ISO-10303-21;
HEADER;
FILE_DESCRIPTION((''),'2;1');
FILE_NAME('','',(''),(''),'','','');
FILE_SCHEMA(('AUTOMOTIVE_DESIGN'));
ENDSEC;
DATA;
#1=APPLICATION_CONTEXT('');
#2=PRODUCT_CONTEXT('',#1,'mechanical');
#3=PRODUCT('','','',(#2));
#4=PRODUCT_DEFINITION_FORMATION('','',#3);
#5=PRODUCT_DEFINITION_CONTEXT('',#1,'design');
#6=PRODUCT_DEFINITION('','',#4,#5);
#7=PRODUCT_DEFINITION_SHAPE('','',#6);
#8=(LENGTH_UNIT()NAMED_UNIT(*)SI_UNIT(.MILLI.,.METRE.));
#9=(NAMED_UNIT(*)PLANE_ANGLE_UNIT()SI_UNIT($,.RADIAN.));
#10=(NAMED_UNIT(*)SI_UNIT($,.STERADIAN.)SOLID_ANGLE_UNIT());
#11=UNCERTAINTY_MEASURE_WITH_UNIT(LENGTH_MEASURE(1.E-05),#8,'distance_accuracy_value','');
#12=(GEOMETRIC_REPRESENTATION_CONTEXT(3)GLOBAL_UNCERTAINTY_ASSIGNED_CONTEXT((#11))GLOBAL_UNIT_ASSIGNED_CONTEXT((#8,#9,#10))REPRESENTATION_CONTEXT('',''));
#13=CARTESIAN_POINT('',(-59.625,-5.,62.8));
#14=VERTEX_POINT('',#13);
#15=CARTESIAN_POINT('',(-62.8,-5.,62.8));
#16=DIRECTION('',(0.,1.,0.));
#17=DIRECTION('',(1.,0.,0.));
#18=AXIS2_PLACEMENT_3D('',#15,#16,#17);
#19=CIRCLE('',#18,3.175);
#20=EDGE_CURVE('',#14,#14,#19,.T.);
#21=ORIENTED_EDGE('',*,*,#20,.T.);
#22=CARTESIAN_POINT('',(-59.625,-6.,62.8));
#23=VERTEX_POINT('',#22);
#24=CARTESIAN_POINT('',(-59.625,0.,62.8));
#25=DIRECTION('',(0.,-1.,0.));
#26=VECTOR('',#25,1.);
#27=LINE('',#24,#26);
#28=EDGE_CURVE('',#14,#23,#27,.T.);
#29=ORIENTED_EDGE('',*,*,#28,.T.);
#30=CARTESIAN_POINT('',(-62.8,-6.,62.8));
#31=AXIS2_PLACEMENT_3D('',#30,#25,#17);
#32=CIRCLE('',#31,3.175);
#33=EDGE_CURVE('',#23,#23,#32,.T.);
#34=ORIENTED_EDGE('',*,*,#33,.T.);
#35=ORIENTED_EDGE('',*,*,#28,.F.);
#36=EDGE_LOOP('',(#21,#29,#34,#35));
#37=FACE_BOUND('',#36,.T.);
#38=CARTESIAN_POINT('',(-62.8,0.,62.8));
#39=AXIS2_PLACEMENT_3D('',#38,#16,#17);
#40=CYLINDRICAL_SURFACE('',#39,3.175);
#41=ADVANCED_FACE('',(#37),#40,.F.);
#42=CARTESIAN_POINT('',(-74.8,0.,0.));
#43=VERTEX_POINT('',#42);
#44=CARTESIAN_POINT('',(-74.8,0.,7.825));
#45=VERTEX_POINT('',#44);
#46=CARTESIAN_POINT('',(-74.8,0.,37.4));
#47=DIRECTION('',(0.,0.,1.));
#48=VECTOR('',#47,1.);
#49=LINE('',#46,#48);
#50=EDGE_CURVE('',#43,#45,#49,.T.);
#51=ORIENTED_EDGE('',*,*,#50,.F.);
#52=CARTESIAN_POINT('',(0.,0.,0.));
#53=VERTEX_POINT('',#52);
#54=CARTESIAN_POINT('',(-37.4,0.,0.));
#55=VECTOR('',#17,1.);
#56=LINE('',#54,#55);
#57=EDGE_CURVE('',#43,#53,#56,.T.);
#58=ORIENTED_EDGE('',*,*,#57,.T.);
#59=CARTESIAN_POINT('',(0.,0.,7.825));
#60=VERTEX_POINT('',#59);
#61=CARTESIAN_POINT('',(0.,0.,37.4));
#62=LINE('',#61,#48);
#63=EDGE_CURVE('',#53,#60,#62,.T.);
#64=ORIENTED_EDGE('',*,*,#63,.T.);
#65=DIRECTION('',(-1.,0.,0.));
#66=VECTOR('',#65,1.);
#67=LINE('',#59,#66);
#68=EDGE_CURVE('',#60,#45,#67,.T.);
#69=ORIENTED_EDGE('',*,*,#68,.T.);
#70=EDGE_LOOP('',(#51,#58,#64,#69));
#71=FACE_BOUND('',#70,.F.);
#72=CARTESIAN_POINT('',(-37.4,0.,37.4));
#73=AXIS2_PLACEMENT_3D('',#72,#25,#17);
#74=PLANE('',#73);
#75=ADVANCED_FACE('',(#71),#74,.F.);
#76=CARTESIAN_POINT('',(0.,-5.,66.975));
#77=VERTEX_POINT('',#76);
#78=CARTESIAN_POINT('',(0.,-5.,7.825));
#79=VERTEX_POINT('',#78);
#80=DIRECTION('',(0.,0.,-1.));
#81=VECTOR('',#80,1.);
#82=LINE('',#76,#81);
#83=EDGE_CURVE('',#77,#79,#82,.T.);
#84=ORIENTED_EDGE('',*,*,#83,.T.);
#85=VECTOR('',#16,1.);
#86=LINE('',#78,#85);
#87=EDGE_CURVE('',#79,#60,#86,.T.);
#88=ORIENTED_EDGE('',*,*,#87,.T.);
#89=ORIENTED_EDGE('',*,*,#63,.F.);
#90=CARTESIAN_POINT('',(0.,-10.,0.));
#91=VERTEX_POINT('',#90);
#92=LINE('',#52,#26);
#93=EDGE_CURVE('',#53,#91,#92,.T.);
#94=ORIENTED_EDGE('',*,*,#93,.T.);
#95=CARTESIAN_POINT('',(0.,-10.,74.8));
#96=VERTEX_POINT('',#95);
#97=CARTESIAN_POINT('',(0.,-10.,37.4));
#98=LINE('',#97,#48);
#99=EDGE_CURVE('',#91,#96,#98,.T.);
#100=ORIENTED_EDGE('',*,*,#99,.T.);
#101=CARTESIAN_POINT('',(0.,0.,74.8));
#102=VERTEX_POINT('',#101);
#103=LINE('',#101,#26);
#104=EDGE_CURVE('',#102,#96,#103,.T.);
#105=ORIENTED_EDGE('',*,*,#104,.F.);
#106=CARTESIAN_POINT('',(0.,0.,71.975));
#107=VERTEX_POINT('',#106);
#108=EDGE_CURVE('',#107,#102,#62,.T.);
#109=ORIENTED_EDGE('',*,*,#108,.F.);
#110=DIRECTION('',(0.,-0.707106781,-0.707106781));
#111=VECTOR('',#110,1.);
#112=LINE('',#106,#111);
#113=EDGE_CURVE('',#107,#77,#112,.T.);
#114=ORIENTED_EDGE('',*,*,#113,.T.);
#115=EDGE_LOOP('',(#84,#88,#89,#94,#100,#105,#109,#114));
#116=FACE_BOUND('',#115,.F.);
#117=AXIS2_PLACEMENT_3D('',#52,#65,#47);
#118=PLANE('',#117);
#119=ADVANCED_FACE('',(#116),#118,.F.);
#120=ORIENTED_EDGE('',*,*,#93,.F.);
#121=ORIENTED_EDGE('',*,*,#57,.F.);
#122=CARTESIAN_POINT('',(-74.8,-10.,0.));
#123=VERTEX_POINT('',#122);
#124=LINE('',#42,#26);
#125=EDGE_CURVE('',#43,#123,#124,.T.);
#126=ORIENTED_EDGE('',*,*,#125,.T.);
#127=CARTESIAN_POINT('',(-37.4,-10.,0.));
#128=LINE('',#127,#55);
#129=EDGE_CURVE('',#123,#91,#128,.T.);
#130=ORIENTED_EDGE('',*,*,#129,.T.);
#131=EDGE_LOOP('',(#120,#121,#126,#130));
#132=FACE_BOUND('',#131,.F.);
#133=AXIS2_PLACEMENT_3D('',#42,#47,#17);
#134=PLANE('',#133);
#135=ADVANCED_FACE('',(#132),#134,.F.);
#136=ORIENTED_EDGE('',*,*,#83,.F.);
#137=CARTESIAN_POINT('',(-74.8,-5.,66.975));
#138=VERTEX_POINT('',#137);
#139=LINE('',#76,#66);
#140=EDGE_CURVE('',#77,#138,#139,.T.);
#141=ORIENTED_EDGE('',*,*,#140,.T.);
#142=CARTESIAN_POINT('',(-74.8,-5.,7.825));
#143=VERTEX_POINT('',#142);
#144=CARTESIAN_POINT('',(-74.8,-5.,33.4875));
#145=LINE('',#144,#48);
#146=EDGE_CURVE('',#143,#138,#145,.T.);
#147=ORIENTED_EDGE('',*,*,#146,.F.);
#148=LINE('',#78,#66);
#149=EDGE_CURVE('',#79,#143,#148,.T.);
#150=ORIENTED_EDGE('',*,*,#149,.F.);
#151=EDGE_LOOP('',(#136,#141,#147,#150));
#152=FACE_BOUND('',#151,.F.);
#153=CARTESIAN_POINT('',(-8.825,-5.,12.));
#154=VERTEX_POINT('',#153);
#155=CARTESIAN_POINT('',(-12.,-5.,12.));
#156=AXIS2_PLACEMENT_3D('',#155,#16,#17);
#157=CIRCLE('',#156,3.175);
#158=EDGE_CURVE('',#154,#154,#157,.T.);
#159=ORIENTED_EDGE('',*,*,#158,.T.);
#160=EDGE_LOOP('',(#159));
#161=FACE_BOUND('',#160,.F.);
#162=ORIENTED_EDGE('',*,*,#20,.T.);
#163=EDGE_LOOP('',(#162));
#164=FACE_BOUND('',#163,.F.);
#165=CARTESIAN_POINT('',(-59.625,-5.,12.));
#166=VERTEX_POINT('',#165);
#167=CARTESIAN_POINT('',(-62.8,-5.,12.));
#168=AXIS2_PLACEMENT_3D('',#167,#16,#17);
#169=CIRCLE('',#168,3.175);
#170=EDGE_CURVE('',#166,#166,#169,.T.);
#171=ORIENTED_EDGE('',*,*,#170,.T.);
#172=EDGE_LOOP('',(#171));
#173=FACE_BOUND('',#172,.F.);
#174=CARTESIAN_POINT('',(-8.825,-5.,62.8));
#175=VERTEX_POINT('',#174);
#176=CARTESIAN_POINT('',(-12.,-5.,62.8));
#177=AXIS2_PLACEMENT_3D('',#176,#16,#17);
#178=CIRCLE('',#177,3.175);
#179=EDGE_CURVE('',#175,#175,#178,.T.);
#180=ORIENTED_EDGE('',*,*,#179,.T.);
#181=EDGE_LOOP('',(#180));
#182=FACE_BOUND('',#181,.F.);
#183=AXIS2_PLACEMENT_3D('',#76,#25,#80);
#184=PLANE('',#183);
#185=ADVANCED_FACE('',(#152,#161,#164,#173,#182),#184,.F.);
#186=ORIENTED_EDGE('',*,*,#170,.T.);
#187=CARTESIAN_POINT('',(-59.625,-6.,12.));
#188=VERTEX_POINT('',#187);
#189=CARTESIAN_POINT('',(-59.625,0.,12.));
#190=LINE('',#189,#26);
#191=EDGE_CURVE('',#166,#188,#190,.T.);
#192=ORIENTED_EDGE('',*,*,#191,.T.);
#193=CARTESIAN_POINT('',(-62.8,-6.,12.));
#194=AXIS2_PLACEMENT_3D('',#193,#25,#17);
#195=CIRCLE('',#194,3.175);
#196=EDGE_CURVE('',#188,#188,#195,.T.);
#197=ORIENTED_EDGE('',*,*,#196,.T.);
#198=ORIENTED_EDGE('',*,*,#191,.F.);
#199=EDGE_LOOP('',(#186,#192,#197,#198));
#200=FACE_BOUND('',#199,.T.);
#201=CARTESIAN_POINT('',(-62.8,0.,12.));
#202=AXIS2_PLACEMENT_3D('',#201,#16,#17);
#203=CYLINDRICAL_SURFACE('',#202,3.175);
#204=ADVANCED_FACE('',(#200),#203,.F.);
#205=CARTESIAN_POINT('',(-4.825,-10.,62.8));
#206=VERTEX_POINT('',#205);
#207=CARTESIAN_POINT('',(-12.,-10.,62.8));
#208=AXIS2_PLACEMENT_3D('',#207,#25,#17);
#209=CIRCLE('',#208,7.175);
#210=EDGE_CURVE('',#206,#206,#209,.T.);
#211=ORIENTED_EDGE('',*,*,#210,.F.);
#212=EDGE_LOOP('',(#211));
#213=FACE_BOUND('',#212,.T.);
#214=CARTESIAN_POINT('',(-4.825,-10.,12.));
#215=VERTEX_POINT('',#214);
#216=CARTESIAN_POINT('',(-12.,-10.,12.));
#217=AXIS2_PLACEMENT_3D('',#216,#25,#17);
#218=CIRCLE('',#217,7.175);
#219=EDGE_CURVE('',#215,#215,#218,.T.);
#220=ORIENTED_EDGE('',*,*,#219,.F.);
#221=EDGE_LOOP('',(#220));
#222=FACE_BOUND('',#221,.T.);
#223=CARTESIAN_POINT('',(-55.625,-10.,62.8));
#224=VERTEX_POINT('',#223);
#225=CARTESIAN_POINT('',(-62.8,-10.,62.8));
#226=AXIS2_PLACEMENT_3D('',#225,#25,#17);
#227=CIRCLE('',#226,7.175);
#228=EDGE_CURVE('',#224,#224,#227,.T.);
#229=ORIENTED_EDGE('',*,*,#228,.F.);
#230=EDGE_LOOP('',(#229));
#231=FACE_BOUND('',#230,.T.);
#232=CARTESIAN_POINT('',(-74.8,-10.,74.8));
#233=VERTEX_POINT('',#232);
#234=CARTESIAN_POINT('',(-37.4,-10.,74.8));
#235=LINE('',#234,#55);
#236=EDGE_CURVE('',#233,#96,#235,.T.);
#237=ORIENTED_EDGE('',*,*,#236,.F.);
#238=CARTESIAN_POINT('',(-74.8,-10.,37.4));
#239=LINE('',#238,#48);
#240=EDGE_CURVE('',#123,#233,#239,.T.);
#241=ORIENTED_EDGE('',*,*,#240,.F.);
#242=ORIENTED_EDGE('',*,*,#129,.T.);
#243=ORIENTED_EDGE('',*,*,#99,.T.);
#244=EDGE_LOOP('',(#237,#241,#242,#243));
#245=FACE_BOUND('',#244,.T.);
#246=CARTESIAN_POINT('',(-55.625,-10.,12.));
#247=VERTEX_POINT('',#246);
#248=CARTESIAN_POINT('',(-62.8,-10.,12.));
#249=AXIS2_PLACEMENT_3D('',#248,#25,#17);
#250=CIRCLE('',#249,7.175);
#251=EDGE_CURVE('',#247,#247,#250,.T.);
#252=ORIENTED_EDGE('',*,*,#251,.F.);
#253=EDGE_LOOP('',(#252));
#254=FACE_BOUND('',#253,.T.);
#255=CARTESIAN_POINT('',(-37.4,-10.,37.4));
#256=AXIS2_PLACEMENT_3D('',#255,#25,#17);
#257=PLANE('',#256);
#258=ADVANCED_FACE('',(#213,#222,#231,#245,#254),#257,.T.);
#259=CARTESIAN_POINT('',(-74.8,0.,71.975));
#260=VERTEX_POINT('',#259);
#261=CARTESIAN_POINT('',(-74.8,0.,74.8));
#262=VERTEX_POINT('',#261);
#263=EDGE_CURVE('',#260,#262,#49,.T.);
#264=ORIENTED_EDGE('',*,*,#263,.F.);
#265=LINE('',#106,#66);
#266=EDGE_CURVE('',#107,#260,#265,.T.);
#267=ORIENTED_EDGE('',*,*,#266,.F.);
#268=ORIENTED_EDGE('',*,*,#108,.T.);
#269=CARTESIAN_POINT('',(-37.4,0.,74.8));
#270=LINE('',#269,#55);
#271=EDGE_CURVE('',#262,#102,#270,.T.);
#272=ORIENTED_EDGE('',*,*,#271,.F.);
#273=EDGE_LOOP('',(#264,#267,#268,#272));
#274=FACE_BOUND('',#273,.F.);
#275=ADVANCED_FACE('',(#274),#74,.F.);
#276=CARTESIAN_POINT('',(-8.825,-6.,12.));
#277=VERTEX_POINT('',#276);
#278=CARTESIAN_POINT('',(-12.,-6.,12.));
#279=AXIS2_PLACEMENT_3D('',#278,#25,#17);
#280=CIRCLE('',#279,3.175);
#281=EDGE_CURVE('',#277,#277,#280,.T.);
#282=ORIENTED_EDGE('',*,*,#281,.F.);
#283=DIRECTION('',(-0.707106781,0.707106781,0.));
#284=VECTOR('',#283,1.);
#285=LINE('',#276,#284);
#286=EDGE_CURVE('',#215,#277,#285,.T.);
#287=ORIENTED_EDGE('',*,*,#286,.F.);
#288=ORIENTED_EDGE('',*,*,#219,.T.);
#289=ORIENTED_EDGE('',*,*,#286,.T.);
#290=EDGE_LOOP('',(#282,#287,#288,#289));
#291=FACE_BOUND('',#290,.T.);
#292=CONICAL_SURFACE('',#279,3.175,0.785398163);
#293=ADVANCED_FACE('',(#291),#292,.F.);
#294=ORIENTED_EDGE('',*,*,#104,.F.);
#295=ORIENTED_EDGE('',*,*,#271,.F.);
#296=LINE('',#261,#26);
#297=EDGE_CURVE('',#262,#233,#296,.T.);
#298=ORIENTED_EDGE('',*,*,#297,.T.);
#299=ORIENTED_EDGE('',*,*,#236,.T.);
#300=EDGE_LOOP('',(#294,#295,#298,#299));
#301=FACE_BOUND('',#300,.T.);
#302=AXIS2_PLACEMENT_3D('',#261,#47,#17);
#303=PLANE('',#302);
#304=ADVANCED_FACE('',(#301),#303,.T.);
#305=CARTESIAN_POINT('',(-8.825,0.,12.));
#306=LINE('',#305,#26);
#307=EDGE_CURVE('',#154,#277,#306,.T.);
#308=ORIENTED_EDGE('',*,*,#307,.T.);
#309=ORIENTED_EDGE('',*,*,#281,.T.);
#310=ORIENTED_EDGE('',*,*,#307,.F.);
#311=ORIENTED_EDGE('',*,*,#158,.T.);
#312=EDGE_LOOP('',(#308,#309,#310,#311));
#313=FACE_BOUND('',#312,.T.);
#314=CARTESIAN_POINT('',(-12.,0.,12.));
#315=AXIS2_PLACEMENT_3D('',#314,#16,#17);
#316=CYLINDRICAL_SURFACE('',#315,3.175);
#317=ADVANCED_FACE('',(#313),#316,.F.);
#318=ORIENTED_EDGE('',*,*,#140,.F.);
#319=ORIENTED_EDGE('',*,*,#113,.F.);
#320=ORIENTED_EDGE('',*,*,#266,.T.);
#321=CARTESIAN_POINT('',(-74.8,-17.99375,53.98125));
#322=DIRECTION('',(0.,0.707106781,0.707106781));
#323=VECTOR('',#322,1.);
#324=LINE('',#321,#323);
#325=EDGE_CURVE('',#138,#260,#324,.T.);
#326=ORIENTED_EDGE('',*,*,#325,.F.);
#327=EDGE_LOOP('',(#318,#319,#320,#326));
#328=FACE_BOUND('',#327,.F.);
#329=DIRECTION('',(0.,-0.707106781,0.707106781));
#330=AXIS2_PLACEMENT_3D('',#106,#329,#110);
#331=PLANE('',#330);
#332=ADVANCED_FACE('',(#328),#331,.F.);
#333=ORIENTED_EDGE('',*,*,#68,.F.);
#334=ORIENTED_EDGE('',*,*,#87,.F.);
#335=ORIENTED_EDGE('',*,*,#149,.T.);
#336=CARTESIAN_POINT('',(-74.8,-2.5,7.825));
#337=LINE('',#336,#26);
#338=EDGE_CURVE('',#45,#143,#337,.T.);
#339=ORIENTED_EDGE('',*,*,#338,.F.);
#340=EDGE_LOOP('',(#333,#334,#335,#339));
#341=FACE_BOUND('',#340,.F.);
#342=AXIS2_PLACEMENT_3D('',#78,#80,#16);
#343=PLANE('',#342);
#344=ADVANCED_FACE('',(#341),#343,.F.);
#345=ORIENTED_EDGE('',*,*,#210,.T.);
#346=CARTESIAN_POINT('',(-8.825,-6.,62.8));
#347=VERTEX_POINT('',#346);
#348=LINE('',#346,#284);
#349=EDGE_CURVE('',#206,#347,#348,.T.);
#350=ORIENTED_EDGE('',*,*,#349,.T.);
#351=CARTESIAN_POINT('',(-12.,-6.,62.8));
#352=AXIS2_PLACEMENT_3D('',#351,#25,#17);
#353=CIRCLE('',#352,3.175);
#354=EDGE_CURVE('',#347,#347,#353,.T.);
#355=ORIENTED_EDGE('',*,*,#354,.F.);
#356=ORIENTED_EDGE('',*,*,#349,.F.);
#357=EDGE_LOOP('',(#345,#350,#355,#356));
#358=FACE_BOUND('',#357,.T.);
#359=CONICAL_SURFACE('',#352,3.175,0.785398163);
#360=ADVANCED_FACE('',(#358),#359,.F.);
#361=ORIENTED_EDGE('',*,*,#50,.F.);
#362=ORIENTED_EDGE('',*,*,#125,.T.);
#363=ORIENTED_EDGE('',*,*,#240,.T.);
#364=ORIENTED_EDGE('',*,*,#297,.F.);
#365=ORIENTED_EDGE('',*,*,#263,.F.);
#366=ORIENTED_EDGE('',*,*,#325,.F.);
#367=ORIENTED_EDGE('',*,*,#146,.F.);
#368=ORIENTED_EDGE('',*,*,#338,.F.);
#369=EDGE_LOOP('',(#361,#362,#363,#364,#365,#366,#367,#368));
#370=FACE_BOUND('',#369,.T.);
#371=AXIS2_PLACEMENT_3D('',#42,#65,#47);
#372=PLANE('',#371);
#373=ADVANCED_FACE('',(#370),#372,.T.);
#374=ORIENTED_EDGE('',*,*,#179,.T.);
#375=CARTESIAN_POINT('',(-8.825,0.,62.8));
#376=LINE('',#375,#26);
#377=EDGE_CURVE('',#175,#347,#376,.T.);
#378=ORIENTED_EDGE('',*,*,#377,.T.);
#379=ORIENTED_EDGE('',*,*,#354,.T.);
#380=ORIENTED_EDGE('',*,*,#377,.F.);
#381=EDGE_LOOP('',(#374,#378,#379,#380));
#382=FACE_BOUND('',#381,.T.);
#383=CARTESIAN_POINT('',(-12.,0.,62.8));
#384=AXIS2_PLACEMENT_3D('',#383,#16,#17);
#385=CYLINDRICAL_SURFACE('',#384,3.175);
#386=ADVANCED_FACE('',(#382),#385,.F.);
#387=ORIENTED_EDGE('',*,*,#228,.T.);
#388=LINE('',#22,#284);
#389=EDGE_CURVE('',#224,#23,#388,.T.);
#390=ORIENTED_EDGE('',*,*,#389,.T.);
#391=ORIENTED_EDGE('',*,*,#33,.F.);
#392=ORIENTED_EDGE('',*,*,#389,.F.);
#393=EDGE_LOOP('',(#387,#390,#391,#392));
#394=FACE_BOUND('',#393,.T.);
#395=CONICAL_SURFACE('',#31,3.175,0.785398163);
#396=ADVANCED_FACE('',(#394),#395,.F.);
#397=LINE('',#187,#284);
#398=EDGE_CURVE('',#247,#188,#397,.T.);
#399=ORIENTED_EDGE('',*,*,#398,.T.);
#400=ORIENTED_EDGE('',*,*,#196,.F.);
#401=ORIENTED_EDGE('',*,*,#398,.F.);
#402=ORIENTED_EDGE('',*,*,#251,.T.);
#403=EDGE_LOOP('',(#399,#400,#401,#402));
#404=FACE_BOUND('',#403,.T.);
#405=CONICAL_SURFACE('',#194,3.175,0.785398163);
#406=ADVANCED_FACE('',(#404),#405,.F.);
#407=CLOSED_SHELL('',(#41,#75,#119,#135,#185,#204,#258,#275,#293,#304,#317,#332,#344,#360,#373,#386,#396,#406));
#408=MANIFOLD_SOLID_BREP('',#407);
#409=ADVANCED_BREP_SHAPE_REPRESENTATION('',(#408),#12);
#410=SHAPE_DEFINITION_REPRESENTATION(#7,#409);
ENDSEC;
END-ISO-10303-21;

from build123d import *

# Parameters (mm, degrees)
F0_W     = 74.8
F0_H     = 74.8
F0_R     = 3.175
F1_DEPTH = 10
F3_DEPTH = 74.801
F4_SIZE  = 4


with BuildPart() as f1:
    # F0 (on Front) → F1 (new body)
    with BuildSketch(Plane.XZ):
        with Locations((-37.4, 37.4)):
            Rectangle(F0_W, F0_H)
        with Locations((-62.8, 12)):
            Circle(F0_R, mode=Mode.SUBTRACT)
        with Locations((-12, 12)):
            Circle(F0_R, mode=Mode.SUBTRACT)
        with Locations((-62.8, 62.8)):
            Circle(F0_R, mode=Mode.SUBTRACT)
        with Locations((-12, 62.8)):
            Circle(F0_R, mode=Mode.SUBTRACT)
    extrude(amount=F1_DEPTH)

    # F2 (on face) → F3 (cut, through all)
    with BuildSketch(Plane.YZ):
        Polygon((0, 15.175), (0, 59.625), (0, 65.975), (0, 71.975), (-5, 66.975), (-5, 7.825), (0, 7.825), (0, 8.825), align=None)
    extrude(amount=-F3_DEPTH, mode=Mode.SUBTRACT)

    # F4
    f4_edges = [f1.edges().sort_by_distance(p)[0] for p in [
        (-65.975, -10, 62.8),
        (-15.175, -10, 62.8),
        (-15.175, -10, 12),
        (-65.975, -10, 12),
    ]]
    chamfer(f4_edges, length=F4_SIZE)


solid = f1.part
